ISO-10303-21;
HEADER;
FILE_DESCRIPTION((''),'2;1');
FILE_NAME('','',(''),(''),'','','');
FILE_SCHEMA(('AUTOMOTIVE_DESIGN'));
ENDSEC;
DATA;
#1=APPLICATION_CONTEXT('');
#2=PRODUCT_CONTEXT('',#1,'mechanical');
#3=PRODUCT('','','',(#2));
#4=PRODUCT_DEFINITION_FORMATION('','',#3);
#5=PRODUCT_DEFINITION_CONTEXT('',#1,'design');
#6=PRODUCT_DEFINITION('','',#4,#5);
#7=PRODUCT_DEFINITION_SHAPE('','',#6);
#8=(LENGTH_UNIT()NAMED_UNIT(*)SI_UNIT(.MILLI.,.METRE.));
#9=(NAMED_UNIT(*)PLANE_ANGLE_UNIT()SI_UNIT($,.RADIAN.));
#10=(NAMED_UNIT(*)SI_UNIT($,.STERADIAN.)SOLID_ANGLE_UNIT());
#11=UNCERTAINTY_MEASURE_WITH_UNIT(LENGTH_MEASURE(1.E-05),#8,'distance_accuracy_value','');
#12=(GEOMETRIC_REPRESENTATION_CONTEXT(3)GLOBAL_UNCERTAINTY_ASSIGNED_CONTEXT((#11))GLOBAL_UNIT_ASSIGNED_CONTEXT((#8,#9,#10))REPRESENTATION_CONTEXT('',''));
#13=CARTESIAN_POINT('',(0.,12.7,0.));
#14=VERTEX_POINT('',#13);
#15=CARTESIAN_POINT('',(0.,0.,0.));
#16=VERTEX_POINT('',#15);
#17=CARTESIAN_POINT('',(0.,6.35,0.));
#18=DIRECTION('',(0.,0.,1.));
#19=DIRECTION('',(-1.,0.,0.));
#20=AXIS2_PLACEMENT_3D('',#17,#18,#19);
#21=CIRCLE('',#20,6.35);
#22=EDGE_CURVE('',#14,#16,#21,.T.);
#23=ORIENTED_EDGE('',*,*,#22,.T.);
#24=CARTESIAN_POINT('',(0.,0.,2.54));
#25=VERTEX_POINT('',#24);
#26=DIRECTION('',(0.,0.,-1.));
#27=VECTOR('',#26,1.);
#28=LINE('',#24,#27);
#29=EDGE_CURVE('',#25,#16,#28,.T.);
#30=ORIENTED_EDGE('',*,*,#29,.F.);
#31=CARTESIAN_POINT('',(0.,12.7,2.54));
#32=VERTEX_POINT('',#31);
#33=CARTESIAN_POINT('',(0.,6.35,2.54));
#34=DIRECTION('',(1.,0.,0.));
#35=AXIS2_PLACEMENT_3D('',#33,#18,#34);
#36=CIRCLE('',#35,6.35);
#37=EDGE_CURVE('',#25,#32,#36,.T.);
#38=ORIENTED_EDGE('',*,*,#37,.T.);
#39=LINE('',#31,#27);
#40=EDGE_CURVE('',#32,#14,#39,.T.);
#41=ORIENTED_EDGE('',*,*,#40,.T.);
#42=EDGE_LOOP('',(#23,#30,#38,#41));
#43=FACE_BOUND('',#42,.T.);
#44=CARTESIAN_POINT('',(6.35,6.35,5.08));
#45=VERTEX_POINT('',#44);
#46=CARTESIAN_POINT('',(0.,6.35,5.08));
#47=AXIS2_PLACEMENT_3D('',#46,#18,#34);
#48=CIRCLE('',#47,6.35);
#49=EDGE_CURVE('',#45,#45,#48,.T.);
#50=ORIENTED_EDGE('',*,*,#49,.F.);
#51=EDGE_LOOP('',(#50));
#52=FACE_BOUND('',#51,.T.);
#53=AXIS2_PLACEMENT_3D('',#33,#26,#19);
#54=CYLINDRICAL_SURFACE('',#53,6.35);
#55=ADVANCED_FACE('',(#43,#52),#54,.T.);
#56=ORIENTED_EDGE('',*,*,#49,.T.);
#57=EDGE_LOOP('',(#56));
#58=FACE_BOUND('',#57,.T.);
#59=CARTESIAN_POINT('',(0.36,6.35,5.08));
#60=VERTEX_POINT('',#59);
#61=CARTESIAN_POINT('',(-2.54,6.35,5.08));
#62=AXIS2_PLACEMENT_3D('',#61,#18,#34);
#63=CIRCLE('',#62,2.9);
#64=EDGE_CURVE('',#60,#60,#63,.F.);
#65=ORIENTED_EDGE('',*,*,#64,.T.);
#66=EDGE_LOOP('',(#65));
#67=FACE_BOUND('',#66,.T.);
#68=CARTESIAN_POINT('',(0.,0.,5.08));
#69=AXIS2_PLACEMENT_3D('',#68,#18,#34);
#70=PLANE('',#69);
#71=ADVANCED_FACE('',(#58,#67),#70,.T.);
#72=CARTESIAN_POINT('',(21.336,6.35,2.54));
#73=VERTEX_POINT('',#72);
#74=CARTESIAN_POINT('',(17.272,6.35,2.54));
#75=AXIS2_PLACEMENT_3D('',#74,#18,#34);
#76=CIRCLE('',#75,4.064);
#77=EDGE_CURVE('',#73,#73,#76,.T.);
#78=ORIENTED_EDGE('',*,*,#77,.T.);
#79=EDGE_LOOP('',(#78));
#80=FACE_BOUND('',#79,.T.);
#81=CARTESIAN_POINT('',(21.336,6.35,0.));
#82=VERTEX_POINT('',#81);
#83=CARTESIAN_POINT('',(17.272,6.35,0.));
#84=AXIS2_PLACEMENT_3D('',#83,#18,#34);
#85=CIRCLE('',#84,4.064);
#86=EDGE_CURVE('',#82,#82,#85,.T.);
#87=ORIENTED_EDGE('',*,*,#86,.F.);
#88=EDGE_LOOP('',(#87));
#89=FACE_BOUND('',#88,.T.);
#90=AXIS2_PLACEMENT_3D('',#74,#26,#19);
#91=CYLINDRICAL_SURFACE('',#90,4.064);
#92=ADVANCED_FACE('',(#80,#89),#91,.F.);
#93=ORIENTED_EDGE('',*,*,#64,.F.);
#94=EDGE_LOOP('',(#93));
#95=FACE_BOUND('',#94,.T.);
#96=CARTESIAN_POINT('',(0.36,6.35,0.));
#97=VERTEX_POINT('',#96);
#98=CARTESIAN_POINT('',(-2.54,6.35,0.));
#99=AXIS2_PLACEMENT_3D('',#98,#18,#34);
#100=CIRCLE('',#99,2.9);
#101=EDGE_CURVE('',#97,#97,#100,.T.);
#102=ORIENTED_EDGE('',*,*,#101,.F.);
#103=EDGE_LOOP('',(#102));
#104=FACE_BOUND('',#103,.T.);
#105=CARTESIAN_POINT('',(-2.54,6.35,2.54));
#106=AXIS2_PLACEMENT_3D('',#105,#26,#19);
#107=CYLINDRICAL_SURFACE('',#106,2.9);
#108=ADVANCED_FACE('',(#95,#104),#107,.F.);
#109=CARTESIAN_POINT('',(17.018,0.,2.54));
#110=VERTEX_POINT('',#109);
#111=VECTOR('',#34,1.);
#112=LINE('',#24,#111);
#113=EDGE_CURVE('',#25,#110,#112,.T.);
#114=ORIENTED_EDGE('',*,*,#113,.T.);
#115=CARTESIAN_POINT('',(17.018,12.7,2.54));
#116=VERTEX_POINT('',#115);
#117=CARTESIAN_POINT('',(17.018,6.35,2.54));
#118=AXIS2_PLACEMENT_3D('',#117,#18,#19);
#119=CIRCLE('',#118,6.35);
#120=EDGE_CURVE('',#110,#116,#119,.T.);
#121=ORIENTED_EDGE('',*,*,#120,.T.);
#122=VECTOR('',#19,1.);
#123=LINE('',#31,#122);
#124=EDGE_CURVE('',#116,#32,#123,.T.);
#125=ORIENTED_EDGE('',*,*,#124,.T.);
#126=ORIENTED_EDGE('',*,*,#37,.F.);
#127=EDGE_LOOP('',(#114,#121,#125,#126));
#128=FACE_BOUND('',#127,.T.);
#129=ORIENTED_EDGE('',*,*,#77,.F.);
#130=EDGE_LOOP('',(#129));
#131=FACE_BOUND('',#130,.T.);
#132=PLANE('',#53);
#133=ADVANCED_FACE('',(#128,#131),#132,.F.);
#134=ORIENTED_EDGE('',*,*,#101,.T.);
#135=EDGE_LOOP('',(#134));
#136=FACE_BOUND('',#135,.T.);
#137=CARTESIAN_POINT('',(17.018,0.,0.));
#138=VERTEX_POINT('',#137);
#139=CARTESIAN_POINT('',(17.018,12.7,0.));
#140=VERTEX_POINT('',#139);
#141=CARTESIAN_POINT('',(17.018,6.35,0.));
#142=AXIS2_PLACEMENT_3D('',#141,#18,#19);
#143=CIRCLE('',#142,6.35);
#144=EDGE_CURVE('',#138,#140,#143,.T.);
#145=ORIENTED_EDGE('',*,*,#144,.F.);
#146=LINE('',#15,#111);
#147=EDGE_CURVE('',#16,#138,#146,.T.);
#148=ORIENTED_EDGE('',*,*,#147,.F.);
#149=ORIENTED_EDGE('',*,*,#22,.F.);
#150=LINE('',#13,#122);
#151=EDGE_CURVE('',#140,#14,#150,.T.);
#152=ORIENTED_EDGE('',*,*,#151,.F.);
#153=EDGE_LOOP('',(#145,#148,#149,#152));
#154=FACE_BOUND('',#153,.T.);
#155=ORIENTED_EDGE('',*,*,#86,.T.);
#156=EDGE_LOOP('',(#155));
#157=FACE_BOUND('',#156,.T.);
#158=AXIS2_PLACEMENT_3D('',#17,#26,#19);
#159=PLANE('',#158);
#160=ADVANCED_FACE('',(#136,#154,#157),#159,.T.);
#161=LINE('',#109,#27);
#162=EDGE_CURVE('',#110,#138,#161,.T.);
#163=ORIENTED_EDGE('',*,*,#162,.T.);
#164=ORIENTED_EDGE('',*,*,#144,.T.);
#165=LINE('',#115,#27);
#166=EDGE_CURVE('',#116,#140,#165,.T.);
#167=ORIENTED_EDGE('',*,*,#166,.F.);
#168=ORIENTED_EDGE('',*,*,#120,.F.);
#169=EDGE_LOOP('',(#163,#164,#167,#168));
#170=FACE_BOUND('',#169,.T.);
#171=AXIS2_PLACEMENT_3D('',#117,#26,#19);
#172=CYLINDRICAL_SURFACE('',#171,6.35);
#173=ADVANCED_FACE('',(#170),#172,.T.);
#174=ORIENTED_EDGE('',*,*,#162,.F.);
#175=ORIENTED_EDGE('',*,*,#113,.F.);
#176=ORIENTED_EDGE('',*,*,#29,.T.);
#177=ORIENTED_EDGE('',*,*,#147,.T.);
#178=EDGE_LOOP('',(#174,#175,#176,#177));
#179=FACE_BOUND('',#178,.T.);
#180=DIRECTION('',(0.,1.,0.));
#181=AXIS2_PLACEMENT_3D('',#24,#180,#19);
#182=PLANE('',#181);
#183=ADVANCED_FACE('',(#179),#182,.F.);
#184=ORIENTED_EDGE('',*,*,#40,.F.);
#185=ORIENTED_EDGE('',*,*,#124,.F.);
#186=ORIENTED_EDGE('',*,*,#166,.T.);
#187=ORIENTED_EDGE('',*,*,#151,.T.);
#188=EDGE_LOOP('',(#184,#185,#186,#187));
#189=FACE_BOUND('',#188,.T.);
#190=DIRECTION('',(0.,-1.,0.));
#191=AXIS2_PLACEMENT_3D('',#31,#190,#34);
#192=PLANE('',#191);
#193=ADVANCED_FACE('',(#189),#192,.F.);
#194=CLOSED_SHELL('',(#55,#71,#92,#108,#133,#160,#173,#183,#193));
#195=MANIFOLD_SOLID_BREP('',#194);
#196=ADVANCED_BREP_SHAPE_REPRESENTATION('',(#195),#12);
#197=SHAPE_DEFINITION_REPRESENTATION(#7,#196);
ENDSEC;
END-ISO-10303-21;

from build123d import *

# Parameters (mm, degrees)
SKETCH1_R           = 2.9
SKETCH1_R_2         = 4.064
BOSS_EXTRUDE1_DEPTH = 2.54
SKETCH2_R           = 2.9
BOSS_EXTRUDE2_DEPTH = 2.54


with BuildPart() as part:
    # Sketch1 → Boss-Extrude1 (new body)
    with BuildSketch(Plane.XY):
        with BuildLine():
            Line((0, 12.7), (17.018, 12.7))
            ThreePointArc((17.018, 12.7), (23.368, 6.35), (17.018, 0))
            Line((17.018, 0), (0, 0))
            ThreePointArc((0, 0), (-6.35, 6.35), (0, 12.7))
        make_face()
        with Locations((-2.54, 6.35)):
            Circle(SKETCH1_R, mode=Mode.SUBTRACT)
        with Locations((17.272, 6.35)):
            Circle(SKETCH1_R_2, mode=Mode.SUBTRACT)
    extrude(amount=BOSS_EXTRUDE1_DEPTH)

    # Sketch2 → Boss-Extrude2 (add)
    with BuildSketch(Plane.XY.offset(2.54)):
        with BuildLine():
            ThreePointArc((0, 0), (4.490128061, 1.859871939), (6.35, 6.35))
            ThreePointArc((6.35, 6.35), (4.490128061, 10.840128061), (0, 12.7))
            ThreePointArc((0, 12.7), (-6.35, 6.35), (0, 0))
        make_face()
        with Locations((-2.54, 6.35)):
            Circle(SKETCH2_R, mode=Mode.SUBTRACT)
    extrude(amount=BOSS_EXTRUDE2_DEPTH)


solid = part.part
